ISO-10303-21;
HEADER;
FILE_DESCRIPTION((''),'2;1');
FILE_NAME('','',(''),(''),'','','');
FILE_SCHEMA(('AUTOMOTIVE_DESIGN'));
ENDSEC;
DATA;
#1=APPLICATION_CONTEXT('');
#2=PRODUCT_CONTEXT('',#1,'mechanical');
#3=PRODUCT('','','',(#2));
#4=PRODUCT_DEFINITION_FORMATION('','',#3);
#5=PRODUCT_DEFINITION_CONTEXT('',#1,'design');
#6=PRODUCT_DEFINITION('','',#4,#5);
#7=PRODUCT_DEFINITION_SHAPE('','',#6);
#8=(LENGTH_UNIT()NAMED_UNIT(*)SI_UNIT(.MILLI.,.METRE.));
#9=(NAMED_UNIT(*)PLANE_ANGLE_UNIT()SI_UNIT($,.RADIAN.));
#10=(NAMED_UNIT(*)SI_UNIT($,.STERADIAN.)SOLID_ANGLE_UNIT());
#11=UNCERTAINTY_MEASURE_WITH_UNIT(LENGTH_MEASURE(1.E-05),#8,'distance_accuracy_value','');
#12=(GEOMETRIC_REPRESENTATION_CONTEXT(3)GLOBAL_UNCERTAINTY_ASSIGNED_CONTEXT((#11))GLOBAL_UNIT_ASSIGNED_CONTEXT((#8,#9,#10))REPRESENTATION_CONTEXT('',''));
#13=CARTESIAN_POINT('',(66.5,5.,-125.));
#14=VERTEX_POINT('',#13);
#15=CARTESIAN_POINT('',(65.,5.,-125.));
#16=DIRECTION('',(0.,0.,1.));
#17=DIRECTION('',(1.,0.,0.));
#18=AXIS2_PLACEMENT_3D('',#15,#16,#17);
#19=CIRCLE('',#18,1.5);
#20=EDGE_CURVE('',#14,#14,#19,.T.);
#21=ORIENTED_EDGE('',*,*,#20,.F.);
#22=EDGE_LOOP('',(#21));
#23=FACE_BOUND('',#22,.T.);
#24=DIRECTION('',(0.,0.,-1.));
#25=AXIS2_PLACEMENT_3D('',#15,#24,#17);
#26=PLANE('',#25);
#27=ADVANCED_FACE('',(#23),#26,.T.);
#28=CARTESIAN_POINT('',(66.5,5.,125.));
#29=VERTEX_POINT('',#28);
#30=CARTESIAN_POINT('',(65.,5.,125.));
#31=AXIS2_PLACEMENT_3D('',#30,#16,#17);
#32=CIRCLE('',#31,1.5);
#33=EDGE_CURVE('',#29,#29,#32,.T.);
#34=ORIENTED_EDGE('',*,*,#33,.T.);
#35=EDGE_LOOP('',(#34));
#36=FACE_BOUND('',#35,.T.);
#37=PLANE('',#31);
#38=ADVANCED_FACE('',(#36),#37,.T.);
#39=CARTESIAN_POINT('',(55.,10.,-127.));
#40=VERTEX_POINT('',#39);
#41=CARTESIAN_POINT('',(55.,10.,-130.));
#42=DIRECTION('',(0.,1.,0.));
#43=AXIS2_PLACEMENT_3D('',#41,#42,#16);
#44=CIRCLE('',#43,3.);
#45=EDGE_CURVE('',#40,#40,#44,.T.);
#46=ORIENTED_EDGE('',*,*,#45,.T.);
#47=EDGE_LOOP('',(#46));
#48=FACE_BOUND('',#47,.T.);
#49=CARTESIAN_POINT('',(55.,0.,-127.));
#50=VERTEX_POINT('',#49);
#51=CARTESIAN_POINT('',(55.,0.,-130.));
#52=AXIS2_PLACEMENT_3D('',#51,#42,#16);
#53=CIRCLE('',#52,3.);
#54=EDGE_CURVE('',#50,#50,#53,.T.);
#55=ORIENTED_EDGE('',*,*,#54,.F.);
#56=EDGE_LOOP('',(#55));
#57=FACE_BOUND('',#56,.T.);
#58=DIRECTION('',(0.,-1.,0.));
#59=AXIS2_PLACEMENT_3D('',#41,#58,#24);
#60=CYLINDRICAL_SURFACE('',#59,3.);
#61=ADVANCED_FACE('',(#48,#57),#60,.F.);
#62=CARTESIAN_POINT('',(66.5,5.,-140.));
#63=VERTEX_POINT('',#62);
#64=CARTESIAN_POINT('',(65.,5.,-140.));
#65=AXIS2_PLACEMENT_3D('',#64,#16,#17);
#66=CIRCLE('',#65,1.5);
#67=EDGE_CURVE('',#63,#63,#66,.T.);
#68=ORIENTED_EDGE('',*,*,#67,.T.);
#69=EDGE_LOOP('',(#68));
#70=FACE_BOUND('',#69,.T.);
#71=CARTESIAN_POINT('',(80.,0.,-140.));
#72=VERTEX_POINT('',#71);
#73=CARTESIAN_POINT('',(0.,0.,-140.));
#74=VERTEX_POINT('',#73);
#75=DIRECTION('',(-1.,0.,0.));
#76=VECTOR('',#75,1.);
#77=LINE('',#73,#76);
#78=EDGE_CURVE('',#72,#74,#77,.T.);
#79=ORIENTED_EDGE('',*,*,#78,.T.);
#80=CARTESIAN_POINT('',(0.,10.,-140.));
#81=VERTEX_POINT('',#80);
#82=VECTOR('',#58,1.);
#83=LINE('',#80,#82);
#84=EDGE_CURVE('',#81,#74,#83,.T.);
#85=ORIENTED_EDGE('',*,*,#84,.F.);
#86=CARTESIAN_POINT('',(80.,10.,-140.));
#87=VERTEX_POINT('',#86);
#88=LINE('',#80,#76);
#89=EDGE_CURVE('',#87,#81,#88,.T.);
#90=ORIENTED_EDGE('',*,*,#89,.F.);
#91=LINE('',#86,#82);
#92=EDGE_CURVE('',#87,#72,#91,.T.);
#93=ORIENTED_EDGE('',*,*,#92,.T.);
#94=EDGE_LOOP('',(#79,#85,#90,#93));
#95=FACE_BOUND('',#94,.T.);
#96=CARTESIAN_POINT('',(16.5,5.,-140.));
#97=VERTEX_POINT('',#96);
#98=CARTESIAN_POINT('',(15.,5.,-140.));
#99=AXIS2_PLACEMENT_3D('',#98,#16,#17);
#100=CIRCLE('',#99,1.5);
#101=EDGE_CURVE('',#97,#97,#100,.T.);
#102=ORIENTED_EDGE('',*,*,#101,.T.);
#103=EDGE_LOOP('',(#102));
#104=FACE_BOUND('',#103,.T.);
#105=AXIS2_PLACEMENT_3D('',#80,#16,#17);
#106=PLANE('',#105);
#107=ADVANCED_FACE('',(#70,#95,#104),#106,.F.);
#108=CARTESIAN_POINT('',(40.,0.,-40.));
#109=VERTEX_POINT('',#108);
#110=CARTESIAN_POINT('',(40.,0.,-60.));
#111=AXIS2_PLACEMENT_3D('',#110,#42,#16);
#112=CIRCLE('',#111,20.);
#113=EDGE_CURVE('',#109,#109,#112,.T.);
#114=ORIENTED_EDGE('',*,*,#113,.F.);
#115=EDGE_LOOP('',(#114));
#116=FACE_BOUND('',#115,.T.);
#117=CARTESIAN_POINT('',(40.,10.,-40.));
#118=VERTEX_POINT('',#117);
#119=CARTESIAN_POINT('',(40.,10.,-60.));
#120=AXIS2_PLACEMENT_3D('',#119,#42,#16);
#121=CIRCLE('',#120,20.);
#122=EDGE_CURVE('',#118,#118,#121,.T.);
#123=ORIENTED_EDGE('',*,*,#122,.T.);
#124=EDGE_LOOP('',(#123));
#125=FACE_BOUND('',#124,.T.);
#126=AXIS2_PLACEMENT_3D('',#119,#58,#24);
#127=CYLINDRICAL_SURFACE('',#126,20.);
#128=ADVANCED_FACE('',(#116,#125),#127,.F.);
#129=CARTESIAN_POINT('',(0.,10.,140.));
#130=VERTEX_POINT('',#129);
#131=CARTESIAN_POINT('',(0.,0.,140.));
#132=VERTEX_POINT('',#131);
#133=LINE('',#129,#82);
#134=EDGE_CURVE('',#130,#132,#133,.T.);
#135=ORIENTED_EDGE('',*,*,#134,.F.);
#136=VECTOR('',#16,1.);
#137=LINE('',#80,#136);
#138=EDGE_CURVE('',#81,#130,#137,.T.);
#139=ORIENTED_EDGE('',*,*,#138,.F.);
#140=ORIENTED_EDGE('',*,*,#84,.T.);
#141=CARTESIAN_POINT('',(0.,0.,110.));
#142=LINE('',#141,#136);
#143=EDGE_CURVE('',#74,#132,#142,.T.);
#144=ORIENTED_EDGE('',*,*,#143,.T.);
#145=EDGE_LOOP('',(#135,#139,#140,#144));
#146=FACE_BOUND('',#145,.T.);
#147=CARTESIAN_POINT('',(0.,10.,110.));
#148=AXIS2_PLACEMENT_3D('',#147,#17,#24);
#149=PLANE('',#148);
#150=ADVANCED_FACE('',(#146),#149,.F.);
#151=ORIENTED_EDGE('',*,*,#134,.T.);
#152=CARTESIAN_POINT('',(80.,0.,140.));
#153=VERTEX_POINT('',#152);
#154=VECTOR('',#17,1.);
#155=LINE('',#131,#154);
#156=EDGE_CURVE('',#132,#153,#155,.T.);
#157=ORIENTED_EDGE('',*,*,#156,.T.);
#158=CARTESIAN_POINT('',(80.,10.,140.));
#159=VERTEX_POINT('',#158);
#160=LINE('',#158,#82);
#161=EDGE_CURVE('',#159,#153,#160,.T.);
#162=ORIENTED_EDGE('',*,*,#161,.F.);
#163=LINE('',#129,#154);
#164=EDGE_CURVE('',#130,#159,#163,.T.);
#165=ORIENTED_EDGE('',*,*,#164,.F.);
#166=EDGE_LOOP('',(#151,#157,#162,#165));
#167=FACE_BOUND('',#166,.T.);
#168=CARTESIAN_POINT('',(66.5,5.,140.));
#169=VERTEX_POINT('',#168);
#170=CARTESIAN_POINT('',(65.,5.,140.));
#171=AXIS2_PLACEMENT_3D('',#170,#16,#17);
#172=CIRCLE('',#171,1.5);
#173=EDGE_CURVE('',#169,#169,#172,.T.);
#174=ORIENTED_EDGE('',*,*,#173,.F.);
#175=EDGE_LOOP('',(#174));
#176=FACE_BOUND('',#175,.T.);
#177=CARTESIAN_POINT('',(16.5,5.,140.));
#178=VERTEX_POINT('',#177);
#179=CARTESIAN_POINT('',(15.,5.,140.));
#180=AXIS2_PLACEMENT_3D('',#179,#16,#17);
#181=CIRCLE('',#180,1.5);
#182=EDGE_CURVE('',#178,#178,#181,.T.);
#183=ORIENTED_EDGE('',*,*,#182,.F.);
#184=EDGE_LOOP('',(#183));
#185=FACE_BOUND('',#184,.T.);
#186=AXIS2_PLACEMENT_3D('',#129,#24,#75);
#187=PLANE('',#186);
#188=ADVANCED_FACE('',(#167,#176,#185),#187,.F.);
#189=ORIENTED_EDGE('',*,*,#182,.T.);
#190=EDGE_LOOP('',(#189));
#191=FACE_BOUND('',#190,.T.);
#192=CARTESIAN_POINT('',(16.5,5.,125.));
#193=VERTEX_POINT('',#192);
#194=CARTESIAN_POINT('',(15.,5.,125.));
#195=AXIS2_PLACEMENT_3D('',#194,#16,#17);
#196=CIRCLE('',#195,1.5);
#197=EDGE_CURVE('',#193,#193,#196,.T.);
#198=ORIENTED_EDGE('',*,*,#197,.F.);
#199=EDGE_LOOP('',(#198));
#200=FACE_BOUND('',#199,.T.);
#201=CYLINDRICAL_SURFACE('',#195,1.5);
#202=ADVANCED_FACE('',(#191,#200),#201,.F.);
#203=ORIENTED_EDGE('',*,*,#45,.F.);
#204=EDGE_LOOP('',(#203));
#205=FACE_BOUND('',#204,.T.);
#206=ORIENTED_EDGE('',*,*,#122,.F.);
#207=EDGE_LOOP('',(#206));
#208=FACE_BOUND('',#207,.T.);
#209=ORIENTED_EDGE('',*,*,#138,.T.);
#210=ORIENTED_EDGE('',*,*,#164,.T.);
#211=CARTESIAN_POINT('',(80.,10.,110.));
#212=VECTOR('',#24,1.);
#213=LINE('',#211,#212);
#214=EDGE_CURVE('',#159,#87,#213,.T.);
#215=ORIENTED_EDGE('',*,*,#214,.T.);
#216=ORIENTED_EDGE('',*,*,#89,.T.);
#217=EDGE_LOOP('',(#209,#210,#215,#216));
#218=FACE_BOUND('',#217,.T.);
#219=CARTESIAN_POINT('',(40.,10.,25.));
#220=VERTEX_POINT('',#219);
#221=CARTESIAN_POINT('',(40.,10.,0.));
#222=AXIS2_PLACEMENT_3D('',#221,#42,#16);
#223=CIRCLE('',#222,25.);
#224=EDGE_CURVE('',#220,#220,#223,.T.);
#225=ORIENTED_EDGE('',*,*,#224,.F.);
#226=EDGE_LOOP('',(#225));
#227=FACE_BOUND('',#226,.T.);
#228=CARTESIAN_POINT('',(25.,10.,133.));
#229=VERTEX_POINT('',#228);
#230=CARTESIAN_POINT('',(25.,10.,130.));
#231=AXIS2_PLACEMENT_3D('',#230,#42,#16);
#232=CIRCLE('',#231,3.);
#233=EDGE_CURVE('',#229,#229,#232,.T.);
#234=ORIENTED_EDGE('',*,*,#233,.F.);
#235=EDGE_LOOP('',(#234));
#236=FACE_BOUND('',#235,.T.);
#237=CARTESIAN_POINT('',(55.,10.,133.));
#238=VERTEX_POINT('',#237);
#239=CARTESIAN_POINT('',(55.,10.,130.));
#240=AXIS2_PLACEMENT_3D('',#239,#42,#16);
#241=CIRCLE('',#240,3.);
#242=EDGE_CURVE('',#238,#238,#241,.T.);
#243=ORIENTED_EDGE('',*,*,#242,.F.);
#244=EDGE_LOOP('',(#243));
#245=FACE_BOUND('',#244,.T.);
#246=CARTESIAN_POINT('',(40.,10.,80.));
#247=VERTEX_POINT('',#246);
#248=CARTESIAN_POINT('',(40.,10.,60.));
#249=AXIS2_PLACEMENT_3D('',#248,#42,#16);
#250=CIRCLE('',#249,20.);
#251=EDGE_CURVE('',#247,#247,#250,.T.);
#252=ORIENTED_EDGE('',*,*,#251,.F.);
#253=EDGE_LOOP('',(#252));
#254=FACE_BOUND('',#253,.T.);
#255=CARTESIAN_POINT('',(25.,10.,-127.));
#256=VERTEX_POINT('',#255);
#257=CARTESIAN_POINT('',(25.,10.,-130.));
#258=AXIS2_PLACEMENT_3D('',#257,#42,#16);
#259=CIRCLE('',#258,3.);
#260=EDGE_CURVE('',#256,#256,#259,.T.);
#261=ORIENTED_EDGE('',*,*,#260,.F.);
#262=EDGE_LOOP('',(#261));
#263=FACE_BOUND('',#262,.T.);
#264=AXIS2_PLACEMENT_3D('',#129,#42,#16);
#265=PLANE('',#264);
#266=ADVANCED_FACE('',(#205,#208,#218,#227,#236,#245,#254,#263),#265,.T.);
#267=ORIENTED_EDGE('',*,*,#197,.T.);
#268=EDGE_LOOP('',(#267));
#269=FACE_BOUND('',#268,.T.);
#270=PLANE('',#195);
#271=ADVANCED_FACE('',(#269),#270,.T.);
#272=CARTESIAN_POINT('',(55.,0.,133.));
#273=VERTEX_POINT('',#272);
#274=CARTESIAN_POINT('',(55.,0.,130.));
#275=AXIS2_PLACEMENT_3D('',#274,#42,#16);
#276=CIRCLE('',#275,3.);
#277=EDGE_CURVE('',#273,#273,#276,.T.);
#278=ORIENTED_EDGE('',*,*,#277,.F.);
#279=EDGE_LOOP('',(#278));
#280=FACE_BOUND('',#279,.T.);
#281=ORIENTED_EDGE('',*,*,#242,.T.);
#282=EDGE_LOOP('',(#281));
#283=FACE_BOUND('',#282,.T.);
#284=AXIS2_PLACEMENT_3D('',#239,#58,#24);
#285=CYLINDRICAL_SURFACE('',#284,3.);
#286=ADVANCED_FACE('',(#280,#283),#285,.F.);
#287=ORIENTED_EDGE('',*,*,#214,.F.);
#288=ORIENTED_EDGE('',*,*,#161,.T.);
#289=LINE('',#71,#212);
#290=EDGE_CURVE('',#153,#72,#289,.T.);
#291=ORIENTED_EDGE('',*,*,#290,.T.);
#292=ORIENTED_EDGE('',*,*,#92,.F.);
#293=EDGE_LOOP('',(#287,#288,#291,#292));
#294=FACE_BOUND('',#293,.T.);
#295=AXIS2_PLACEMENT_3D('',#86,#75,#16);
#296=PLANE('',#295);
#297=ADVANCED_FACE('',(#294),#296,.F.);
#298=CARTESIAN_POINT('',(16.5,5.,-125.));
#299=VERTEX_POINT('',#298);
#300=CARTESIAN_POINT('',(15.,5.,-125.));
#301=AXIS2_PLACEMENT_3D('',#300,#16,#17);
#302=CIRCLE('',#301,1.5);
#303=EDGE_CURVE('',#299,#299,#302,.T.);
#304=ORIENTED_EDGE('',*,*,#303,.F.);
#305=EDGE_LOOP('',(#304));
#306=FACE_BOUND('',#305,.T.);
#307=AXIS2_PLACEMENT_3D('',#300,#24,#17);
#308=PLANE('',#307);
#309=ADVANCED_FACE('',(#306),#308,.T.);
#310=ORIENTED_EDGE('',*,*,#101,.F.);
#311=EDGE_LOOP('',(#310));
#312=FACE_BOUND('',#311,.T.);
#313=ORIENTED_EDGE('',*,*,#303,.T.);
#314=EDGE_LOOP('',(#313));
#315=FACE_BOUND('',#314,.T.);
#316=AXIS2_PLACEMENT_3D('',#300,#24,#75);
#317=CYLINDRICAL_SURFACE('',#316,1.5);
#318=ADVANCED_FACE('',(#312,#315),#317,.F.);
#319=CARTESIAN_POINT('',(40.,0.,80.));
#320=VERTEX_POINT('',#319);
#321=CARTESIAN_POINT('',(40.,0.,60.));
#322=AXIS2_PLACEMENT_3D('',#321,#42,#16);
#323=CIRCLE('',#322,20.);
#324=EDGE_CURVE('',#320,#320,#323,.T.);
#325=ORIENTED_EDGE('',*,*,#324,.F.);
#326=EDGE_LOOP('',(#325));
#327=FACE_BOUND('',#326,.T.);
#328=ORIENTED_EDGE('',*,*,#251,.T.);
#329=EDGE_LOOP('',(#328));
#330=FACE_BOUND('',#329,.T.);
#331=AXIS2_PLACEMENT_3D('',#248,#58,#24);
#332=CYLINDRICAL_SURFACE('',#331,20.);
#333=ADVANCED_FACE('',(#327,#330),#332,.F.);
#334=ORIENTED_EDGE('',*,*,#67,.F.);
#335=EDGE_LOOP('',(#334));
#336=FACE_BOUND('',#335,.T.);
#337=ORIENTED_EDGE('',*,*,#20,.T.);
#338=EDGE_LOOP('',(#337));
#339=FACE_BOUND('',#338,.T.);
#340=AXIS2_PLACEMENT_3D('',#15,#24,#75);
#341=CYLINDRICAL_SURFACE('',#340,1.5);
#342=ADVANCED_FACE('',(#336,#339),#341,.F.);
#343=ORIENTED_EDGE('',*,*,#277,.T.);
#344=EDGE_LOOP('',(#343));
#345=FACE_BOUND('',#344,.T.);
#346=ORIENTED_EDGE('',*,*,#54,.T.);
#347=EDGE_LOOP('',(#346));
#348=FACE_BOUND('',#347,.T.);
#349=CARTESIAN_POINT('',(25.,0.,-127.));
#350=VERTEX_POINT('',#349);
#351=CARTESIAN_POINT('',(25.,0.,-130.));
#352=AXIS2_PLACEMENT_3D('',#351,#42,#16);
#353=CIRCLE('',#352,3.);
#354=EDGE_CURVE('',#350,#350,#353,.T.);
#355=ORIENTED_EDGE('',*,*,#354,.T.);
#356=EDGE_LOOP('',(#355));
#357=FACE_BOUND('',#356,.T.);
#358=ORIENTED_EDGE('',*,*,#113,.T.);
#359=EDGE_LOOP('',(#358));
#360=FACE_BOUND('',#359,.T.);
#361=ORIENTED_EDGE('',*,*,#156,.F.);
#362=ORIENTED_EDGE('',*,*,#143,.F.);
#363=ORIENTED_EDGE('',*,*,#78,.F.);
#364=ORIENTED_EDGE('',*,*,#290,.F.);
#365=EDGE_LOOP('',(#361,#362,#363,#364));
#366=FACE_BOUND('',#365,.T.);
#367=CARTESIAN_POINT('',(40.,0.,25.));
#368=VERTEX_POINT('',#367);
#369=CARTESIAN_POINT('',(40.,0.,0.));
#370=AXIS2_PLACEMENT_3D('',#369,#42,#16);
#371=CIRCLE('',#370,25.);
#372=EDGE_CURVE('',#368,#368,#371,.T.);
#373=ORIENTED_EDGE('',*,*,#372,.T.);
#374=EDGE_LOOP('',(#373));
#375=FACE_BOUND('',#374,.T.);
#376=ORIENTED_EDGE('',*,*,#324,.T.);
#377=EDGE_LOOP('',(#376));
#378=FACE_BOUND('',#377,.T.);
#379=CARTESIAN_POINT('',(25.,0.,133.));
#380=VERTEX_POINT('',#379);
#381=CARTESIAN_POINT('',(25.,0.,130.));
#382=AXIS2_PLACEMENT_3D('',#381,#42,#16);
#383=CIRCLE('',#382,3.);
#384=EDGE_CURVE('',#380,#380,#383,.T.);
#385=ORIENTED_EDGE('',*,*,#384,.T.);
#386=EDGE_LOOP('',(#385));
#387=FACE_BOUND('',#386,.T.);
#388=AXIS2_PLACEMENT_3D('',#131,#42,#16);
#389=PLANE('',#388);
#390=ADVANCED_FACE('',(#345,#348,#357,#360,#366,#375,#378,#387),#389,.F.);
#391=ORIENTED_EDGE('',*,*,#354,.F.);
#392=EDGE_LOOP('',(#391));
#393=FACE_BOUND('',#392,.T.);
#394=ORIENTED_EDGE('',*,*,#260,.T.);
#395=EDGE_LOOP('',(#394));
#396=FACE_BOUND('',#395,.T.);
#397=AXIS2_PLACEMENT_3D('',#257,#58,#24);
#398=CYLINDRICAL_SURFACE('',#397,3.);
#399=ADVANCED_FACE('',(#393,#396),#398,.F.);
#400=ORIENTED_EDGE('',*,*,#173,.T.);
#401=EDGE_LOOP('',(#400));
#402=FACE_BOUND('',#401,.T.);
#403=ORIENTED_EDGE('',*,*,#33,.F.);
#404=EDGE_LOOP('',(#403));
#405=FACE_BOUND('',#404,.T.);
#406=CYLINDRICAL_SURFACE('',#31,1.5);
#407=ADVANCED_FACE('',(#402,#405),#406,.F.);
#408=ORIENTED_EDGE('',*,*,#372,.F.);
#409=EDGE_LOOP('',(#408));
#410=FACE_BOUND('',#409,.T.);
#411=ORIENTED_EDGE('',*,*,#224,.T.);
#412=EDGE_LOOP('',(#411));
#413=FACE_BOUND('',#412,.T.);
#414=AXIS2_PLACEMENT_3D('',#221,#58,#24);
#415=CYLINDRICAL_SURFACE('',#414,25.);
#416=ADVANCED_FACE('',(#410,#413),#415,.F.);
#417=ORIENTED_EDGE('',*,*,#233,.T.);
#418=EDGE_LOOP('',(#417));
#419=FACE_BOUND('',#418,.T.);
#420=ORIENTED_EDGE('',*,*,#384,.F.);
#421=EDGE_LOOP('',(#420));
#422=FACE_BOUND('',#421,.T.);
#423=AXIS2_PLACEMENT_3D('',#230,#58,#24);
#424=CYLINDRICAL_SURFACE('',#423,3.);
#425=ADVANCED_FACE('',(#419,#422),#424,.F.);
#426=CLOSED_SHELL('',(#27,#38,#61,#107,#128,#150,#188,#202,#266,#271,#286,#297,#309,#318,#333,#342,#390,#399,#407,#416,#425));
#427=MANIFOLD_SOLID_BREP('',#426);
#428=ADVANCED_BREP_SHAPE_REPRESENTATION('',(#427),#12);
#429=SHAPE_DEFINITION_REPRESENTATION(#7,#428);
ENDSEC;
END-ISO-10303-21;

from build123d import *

# Parameters (mm, degrees)
SKETCH1_R           = 3
SKETCH1_R_2         = 25
SKETCH1_R_3         = 20
BOSS_EXTRUDE1_DEPTH = 10
SKETCH2_R           = 1.5
CUT_EXTRUDE1_DEPTH  = 15


with BuildPart() as part:
    # Sketch1 → Boss-Extrude1 (new body)
    with BuildSketch(Plane(origin=(0, 0, 0), x_dir=(1, 0, 0), z_dir=(0, 1, 0))):
        Polygon((0, -110), (0, 110), (0, 140), (80, 140), (80, 110), (80, -110), (80, -140), (0, -140), align=None)
        with Locations(Location((25, 130, 0), (0, 0, 270))):
            Circle(SKETCH1_R, mode=Mode.SUBTRACT)
        with Locations(Location((55, 130, 0), (0, 0, 270))):
            Circle(SKETCH1_R, mode=Mode.SUBTRACT)
        with Locations(Location((25, -130, 0), (0, 0, 270))):
            Circle(SKETCH1_R, mode=Mode.SUBTRACT)
        with Locations(Location((55, -130, 0), (0, 0, 270))):
            Circle(SKETCH1_R, mode=Mode.SUBTRACT)
        with Locations(Location((40, 0, 0), (0, 0, 270))):
            Circle(SKETCH1_R_2, mode=Mode.SUBTRACT)
        with Locations(Location((40, -60, 0), (0, 0, 270))):
            Circle(SKETCH1_R_3, mode=Mode.SUBTRACT)
        with Locations(Location((40, 60, 0), (0, 0, 270))):
            Circle(SKETCH1_R_3, mode=Mode.SUBTRACT)
    extrude(amount=BOSS_EXTRUDE1_DEPTH)

    # Sketch2 → Cut-Extrude1 (cut)
    with BuildSketch(Plane.XY.offset(140)):
        with Locations((15, 5)):
            Circle(SKETCH2_R)
        with Locations((65, 5)):
            Circle(SKETCH2_R)
    cut_extrude1 = extrude(amount=-CUT_EXTRUDE1_DEPTH, mode=Mode.SUBTRACT)

    # Mirror1: Cut-Extrude1 across plane
    add(cut_extrude1.mirror(Plane.XY), mode=Mode.SUBTRACT)


solid = part.part
